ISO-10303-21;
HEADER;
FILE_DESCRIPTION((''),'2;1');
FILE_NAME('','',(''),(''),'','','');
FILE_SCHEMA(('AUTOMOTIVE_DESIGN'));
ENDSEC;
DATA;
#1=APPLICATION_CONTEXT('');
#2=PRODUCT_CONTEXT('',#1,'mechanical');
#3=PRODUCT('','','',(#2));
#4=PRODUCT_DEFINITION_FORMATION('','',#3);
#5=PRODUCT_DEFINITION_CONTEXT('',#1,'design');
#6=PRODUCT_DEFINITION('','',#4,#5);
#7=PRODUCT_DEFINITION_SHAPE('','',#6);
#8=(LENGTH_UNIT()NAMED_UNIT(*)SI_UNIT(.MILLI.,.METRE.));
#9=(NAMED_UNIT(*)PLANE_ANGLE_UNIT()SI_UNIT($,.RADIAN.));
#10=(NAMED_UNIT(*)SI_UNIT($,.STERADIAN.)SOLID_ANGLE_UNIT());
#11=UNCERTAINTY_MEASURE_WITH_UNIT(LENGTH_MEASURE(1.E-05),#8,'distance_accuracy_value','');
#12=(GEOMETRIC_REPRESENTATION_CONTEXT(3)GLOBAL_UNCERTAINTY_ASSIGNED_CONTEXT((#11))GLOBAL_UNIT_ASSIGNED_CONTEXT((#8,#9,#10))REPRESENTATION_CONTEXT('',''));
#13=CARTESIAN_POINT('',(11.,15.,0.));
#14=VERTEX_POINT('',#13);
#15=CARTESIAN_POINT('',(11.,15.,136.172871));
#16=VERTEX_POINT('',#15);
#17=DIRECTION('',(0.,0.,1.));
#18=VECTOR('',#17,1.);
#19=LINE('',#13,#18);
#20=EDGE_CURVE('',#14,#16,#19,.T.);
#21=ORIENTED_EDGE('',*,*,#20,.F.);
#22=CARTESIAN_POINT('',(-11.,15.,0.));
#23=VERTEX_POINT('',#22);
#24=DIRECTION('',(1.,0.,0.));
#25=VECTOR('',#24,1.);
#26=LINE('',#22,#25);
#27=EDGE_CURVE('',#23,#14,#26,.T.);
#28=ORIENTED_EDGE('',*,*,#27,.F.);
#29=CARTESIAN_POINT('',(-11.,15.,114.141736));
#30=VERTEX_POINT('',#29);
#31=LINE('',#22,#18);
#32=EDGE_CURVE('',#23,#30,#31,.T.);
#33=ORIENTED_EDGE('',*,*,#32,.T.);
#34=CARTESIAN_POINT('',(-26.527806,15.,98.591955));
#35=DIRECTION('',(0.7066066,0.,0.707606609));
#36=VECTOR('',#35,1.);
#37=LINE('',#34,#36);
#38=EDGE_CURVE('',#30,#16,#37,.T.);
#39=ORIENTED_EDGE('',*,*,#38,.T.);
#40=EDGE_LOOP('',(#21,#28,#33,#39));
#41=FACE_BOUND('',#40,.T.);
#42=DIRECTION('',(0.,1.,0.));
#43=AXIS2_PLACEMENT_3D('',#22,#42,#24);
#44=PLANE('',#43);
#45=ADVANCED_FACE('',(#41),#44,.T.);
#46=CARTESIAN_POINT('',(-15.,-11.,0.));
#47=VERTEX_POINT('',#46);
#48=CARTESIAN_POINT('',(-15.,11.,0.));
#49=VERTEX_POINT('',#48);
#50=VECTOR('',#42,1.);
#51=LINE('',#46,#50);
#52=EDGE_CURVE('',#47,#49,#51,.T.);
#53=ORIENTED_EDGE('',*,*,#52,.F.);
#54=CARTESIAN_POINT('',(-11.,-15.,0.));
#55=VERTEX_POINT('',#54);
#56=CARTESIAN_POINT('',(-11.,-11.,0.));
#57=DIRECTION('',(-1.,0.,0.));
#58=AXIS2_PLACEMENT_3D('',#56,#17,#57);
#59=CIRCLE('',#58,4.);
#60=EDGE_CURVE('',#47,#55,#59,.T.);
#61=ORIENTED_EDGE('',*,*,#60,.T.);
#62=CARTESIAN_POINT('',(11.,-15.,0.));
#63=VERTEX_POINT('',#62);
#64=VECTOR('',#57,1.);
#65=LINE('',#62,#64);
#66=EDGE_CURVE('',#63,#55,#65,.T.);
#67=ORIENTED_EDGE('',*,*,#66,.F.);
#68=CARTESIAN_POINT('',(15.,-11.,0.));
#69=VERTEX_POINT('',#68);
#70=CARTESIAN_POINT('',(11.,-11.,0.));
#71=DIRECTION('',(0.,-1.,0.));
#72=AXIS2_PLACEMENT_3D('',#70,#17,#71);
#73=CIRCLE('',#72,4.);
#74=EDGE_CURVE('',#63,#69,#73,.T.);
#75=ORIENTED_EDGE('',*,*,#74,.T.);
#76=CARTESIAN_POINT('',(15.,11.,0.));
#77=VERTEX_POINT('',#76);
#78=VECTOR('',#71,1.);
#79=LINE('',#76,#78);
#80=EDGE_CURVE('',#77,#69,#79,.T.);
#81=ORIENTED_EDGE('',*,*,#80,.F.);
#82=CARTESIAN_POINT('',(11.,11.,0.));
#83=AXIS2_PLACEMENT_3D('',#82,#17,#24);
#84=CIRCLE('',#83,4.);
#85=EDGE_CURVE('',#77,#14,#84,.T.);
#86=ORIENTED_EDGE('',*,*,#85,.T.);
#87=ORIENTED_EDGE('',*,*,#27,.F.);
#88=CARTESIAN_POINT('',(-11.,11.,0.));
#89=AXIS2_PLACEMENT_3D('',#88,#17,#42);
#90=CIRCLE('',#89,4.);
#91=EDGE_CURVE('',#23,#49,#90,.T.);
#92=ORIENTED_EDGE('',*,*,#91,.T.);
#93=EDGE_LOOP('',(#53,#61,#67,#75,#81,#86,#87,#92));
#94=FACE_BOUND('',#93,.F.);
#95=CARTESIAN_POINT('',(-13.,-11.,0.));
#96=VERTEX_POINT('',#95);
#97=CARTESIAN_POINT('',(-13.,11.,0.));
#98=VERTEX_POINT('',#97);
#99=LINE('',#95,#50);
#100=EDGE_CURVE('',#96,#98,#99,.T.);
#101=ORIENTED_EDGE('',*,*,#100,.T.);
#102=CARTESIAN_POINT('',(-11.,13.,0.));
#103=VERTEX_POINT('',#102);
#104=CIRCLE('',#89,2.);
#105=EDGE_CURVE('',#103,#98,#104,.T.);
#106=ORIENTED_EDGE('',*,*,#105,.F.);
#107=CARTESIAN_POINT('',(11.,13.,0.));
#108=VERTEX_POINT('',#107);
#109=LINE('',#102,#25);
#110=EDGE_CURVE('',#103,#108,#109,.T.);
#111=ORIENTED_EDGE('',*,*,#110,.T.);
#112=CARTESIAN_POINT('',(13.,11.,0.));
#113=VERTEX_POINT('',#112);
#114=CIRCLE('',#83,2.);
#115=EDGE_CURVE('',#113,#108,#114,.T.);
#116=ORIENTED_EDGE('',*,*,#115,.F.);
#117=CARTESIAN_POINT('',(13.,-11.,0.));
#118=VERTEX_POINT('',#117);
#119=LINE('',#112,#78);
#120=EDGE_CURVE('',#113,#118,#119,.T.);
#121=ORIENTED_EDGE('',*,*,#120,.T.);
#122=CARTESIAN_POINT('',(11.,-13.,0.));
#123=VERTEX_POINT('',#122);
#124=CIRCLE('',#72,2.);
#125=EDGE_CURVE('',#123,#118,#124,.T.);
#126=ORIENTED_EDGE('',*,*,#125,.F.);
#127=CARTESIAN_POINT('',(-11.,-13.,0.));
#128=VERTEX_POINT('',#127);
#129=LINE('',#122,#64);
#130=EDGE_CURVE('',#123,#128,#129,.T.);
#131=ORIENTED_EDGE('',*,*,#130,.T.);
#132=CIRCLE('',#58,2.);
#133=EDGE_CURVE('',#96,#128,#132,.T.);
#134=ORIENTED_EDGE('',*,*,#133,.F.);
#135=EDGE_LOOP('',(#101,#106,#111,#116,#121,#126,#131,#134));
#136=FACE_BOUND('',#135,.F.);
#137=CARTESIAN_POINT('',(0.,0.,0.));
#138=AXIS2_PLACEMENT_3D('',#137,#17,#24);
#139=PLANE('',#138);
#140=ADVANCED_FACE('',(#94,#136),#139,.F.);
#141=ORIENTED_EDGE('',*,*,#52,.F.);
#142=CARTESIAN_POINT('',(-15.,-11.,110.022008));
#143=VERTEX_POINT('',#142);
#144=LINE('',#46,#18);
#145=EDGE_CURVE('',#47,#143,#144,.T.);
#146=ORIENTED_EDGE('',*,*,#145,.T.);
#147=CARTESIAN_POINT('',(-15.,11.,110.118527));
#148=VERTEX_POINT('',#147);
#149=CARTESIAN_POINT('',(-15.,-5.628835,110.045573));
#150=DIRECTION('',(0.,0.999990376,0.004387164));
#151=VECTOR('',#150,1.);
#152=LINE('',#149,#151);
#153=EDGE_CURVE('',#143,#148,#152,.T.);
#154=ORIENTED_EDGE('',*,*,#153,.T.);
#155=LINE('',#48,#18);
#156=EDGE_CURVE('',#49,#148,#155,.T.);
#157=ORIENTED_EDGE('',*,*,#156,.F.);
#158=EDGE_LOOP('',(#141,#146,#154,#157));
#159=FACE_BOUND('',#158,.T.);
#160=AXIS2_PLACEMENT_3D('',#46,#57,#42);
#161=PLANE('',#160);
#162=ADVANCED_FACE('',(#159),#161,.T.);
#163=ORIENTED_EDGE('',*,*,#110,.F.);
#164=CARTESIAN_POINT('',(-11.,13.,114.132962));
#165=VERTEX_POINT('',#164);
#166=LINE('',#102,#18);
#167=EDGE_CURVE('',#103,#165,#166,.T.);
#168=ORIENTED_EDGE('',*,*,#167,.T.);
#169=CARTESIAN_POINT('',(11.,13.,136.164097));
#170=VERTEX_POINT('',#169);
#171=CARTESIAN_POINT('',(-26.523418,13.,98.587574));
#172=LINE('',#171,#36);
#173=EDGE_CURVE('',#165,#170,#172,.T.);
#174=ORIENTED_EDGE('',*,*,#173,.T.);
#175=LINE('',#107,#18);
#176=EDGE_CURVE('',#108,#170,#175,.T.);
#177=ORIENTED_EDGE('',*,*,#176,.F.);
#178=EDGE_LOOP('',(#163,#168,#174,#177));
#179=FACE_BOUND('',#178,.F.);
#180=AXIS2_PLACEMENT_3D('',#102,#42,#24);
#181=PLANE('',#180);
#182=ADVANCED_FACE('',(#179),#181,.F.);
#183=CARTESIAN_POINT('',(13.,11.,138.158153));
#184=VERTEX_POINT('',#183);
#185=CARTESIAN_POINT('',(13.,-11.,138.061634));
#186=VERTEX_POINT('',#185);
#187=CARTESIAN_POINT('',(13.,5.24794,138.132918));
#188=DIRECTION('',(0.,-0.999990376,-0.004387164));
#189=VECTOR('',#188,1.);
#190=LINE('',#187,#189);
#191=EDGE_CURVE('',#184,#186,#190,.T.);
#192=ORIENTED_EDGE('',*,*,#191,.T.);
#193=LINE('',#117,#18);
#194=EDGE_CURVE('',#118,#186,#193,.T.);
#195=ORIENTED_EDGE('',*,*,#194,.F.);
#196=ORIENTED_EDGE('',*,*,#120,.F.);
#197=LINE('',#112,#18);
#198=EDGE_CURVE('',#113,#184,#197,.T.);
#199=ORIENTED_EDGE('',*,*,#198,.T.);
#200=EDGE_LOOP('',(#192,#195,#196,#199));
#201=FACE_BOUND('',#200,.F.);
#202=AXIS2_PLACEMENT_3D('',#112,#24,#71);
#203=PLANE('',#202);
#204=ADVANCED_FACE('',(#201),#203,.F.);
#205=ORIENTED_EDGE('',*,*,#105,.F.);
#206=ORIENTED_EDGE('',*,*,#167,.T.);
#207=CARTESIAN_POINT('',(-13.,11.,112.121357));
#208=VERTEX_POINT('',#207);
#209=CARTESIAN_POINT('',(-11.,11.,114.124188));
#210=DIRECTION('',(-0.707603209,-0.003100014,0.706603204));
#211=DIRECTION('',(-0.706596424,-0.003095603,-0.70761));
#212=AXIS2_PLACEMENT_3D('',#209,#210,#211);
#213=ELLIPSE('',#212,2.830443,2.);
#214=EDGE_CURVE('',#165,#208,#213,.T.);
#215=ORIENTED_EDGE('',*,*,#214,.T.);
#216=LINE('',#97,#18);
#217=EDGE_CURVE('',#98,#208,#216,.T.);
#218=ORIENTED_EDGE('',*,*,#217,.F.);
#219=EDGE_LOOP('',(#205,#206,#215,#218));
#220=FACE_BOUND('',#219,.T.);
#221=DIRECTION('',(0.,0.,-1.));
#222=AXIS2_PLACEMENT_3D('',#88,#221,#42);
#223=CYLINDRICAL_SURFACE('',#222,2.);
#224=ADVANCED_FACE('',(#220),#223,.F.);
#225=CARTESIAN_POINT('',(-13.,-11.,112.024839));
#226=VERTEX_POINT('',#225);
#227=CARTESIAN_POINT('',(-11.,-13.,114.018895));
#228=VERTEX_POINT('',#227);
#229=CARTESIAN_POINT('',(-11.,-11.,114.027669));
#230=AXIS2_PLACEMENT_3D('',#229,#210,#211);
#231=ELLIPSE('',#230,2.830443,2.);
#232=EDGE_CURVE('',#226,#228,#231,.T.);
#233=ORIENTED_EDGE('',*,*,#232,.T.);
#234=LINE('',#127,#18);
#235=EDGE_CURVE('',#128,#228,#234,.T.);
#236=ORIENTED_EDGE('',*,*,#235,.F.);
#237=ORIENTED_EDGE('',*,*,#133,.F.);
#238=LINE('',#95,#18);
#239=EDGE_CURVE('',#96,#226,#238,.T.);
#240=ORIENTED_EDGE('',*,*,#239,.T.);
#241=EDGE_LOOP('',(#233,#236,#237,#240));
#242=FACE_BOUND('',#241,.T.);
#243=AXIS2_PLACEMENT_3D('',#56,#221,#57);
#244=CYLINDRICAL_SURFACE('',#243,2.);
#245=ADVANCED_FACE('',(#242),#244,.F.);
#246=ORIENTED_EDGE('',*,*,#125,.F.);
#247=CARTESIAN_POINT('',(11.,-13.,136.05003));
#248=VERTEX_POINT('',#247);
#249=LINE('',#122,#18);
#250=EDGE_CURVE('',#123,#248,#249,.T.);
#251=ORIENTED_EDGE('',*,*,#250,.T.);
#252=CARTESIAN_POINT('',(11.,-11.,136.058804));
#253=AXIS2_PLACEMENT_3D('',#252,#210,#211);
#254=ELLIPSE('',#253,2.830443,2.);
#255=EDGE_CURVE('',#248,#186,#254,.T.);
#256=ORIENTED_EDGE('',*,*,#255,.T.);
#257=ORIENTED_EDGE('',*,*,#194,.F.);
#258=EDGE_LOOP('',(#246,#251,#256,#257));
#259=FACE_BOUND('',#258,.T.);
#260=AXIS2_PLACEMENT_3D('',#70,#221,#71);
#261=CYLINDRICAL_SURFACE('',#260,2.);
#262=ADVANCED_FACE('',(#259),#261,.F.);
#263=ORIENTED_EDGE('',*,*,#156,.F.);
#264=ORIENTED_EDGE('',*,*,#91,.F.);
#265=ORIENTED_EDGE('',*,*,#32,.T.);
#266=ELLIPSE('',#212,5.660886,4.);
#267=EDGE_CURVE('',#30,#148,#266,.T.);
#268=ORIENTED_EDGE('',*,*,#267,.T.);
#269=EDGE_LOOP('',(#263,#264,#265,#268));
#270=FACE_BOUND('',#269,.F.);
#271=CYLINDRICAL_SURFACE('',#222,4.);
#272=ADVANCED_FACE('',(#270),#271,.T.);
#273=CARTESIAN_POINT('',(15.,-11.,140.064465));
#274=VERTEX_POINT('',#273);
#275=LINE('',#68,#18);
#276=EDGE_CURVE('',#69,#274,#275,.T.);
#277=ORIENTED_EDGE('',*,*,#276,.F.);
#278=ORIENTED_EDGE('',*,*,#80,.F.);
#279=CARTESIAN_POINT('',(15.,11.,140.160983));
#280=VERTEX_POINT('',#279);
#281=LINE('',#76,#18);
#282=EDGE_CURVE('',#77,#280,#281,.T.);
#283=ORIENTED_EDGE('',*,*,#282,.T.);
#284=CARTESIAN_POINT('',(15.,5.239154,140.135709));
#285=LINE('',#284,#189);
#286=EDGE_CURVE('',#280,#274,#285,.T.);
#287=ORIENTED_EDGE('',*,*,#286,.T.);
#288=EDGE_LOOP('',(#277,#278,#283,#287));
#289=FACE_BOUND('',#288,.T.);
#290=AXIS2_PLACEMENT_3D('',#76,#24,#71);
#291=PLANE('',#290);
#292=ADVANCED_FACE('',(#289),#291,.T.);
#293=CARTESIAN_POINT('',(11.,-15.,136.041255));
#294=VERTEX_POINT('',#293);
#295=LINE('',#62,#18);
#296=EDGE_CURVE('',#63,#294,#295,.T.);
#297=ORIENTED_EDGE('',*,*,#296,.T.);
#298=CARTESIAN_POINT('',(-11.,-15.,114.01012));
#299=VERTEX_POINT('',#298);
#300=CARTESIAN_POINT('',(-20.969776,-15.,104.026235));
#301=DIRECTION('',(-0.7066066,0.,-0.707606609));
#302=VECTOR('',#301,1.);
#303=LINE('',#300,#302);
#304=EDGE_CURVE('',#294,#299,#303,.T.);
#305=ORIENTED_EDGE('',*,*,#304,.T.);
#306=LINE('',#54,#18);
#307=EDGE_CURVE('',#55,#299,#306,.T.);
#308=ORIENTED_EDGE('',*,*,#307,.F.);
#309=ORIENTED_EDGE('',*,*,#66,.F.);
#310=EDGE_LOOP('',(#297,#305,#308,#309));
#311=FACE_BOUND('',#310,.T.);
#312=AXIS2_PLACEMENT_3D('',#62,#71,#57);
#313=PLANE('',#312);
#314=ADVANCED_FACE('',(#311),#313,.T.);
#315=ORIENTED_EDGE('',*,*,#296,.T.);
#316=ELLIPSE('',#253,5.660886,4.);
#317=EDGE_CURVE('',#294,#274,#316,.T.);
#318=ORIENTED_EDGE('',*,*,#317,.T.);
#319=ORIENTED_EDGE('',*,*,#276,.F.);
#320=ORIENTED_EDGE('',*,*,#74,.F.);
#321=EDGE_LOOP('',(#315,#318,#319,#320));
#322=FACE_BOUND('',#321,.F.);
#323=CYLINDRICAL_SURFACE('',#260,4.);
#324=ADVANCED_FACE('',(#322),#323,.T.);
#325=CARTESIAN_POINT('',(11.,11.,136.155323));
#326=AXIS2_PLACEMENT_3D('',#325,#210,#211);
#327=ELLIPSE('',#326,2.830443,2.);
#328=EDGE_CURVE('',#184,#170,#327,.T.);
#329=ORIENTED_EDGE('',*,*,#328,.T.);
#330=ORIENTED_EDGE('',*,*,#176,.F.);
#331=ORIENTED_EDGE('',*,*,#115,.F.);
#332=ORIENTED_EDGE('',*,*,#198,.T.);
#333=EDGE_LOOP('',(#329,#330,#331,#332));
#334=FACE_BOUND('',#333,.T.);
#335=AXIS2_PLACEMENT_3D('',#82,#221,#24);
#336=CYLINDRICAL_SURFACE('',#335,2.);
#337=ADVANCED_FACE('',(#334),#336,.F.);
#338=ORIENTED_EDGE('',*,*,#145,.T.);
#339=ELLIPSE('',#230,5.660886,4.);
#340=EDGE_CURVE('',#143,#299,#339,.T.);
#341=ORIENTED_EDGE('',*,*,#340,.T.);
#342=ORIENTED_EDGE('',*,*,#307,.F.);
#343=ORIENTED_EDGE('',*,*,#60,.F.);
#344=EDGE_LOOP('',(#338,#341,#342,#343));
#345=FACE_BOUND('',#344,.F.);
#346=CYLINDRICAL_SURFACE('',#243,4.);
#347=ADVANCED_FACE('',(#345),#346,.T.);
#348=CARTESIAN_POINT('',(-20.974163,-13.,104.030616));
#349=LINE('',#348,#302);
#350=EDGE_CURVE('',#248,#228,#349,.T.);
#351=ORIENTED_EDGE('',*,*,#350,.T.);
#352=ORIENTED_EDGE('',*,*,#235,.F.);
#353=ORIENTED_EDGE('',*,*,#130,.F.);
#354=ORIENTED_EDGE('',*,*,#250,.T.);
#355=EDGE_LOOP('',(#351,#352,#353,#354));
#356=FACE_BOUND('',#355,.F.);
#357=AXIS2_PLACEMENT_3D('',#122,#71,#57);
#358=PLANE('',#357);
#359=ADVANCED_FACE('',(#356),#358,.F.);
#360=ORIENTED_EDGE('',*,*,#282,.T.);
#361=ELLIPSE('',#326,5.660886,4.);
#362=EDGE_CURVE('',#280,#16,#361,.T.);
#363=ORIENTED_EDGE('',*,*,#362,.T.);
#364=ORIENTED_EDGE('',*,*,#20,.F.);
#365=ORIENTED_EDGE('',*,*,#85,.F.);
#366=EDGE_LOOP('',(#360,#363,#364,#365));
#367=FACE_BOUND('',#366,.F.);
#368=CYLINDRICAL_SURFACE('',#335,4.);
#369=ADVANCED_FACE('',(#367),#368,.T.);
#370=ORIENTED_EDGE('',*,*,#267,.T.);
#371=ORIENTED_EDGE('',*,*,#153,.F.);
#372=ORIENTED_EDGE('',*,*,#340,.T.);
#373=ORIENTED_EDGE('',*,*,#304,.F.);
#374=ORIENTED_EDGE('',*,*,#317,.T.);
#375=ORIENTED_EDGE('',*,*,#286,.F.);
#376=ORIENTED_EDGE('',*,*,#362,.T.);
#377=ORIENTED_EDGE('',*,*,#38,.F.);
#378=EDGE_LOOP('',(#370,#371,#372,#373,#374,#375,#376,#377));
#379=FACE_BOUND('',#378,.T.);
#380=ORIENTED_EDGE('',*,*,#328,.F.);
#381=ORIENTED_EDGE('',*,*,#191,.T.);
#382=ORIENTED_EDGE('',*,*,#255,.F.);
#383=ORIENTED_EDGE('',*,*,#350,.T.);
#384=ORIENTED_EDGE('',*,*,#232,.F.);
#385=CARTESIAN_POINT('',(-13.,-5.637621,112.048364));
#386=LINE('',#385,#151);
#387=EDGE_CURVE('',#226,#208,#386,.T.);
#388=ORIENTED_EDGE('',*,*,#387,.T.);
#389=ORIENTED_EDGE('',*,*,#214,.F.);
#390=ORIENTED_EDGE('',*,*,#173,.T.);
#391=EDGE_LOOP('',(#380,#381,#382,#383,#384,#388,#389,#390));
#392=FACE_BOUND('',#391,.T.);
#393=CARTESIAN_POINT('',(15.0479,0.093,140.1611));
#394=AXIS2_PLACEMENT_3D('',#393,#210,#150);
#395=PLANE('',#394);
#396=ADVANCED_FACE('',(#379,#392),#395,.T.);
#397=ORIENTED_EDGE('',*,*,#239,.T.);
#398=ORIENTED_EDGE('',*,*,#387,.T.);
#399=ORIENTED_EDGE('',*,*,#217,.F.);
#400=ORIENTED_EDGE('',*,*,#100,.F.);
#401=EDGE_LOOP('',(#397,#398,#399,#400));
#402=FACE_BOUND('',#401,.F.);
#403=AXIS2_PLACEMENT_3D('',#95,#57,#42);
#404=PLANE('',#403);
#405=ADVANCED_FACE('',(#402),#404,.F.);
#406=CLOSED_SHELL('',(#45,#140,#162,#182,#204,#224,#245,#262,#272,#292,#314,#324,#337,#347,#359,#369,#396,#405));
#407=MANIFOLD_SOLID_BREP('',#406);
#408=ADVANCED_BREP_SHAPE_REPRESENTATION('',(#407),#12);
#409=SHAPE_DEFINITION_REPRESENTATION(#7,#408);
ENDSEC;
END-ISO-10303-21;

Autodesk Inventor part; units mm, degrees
ref_plane "Plano inicial" through (0, 0, 0) normal (0, 0, 1) x (1, 0, 0)
ref_plane "Plano final" through (0, 0, 140.1787) normal (0, 0, 1) x (1, 0, 0)
sketch "Esboço" plane through (0, 0, 0) normal (0, 0, 1) x (1, 0, 0)
  line L0 (-15, -11) -> (-15, 11)
  line L1 (-11, 15) -> (11, 15)
  line L2 (15, 11) -> (15, -11)
  line L3 (11, -15) -> (-11, -15)
  arc A0 (-15, -11) -> (-11, -15) centre (-11, -11) ccw
  arc A1 (15, 11) -> (11, 15) centre (11, 11) ccw
  arc A2 (-11, 15) -> (-15, 11) centre (-11, 11) ccw
  arc A3 (11, -15) -> (15, -11) centre (11, -11) ccw
  arc A4 (-11, 13) -> (-13, 11) centre (-11, 11) ccw
  line L4 (-11, 13) -> (11, 13)
  arc A5 (13, 11) -> (11, 13) centre (11, 11) ccw
  line L5 (13, 11) -> (13, -11)
  arc A6 (11, -13) -> (13, -11) centre (11, -11) ccw
  line L6 (11, -13) -> (-11, -13)
  arc A7 (-13, -11) -> (-11, -13) centre (-11, -11) ccw
  line L7 (-13, -11) -> (-13, 11)
  line L8 (0, 22.1598) -> (0, -22.1598) construction
  line L9 (-22.1598, 0) -> (22.1598, 0) construction
  dimension "d7" = 4
  dimension "d9" = 30
  dimension "d11" = 30
  dimension "d12" = 2
  dimension "d15" = 15
  dimension "d16" = 15
extrude "Corpo" add sketch "Esboço" along normal up to surface (140.1787 mm away) from surface at 0
sketch "Sketch3" plane through (0, 0, 0) normal (0, 0, 1) x (1, 0, 0)
  line L0 (0, 0) -> (10, 0)
ref_plane "Work Plane3" through (0, 0, 0) normal (0, -1, 0) x (1, 0, 0)
sketch "Sketch4" plane through (0, 0, 0) normal (0, -1, 0) x (1, 0, 0)
  line L0 (-2, 0) -> (12, 0)
  line L1 (-2, 140.1787) -> (12, 140.1787)
  dimension "d18" = 140.1787
ref_plane "Plano de trabalho4" through (15.0479, 0.093, 140.1611) normal (-0.7076, -0.0031, 0.7066) x (0.7066, -0.0013, 0.7076)
split "Dividir1" plane through (15.0479, 0.093, 140.1611) removes the side toward (-0.7076, -0.0031, 0.7066)
equation "\"d7\" = G_IR"
equation "\"d9\" = G_W"
equation "\"d11\" = G_H"
equation "\"d12\" = G_T"
equation "\"d15\" = 0.5 * d9"
equation "\"d16\" = 0.5 * d11"
equation "\"d3\" = G_L"
equation "\"G_W\" = 30"
equation "\"G_H\" = 30"
equation "\"G_T\" = 2"
equation "\"G_IR\" = 4"
equation "\"G_L\" = 140.16115"
equation "\"G_OFFSET_START\" = 0"
equation "\"G_OFFSET_END\" = 0.1787"
equation "\"d14\" = G_OFFSET_END + B_L"
equation "\"B_L\" = 140"
properties part number "ISO 10799-2 - 30x30x2 - 140,179" material "Aço, suave"
